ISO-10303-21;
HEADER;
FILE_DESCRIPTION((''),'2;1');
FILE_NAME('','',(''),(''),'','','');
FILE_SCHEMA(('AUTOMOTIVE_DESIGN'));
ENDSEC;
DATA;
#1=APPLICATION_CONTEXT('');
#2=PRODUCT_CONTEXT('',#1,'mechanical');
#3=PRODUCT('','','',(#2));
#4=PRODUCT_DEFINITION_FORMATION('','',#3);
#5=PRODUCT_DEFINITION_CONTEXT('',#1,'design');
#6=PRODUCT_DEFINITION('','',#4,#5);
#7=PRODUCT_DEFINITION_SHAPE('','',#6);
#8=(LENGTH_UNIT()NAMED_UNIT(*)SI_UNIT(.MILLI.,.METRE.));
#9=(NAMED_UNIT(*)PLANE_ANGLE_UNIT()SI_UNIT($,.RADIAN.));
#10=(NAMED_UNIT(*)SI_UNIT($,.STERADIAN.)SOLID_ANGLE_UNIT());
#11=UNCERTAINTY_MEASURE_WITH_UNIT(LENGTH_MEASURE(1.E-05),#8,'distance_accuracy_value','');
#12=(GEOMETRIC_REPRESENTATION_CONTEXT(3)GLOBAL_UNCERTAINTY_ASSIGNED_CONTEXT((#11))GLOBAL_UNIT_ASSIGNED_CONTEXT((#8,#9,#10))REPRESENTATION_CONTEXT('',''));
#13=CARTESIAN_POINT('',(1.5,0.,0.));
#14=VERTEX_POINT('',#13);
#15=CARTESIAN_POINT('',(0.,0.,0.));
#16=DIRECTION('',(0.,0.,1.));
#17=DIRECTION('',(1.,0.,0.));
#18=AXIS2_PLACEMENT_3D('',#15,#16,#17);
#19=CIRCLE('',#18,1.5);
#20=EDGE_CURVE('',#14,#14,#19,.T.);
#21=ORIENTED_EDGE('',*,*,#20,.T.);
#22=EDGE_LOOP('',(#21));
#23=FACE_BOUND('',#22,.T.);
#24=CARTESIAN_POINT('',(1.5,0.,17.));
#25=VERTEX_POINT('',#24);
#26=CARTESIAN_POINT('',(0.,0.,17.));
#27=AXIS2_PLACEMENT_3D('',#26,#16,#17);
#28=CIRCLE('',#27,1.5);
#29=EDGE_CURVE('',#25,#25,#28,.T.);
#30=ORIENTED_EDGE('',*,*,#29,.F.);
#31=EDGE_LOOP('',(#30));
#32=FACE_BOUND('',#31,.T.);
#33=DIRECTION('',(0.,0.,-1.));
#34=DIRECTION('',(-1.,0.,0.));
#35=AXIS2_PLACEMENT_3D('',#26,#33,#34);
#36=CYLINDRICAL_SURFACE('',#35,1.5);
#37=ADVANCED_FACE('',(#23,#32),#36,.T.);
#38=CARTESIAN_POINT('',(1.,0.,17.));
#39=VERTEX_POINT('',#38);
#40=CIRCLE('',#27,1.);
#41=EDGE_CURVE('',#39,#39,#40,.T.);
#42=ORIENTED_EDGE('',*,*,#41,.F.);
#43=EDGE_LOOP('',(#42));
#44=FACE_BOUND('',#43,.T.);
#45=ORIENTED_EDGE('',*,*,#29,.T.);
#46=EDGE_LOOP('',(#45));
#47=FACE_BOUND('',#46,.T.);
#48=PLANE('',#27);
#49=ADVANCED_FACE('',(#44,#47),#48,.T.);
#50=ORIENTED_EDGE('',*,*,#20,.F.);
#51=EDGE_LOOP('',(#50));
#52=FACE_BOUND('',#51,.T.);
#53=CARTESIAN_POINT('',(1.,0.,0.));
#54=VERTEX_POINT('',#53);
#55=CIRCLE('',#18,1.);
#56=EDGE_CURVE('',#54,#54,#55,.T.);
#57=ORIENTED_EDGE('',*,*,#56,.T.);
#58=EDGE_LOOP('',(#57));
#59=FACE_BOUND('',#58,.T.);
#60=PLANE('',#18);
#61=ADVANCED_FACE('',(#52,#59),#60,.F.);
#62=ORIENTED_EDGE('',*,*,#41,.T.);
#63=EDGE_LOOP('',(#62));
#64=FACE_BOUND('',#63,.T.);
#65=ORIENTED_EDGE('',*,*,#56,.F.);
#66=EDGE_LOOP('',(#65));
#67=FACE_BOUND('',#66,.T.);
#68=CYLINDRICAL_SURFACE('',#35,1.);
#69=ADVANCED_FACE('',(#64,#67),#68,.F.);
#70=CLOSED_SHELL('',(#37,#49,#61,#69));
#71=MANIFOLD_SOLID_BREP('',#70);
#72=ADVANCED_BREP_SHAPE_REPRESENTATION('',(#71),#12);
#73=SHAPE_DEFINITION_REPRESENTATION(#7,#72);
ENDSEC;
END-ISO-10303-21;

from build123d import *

# Parameters (mm, degrees)
ESQUISSE1_R        = 1.5
ESQUISSE1_R_2      = 1
BOSS_EXTRU_1_DEPTH = 17


with BuildPart() as part:
    # Esquisse1 → Boss.-Extru.1 (new body)
    with BuildSketch(Plane.XY):
        Circle(ESQUISSE1_R)
        Circle(ESQUISSE1_R_2, mode=Mode.SUBTRACT)
    extrude(amount=BOSS_EXTRU_1_DEPTH)


solid = part.part
